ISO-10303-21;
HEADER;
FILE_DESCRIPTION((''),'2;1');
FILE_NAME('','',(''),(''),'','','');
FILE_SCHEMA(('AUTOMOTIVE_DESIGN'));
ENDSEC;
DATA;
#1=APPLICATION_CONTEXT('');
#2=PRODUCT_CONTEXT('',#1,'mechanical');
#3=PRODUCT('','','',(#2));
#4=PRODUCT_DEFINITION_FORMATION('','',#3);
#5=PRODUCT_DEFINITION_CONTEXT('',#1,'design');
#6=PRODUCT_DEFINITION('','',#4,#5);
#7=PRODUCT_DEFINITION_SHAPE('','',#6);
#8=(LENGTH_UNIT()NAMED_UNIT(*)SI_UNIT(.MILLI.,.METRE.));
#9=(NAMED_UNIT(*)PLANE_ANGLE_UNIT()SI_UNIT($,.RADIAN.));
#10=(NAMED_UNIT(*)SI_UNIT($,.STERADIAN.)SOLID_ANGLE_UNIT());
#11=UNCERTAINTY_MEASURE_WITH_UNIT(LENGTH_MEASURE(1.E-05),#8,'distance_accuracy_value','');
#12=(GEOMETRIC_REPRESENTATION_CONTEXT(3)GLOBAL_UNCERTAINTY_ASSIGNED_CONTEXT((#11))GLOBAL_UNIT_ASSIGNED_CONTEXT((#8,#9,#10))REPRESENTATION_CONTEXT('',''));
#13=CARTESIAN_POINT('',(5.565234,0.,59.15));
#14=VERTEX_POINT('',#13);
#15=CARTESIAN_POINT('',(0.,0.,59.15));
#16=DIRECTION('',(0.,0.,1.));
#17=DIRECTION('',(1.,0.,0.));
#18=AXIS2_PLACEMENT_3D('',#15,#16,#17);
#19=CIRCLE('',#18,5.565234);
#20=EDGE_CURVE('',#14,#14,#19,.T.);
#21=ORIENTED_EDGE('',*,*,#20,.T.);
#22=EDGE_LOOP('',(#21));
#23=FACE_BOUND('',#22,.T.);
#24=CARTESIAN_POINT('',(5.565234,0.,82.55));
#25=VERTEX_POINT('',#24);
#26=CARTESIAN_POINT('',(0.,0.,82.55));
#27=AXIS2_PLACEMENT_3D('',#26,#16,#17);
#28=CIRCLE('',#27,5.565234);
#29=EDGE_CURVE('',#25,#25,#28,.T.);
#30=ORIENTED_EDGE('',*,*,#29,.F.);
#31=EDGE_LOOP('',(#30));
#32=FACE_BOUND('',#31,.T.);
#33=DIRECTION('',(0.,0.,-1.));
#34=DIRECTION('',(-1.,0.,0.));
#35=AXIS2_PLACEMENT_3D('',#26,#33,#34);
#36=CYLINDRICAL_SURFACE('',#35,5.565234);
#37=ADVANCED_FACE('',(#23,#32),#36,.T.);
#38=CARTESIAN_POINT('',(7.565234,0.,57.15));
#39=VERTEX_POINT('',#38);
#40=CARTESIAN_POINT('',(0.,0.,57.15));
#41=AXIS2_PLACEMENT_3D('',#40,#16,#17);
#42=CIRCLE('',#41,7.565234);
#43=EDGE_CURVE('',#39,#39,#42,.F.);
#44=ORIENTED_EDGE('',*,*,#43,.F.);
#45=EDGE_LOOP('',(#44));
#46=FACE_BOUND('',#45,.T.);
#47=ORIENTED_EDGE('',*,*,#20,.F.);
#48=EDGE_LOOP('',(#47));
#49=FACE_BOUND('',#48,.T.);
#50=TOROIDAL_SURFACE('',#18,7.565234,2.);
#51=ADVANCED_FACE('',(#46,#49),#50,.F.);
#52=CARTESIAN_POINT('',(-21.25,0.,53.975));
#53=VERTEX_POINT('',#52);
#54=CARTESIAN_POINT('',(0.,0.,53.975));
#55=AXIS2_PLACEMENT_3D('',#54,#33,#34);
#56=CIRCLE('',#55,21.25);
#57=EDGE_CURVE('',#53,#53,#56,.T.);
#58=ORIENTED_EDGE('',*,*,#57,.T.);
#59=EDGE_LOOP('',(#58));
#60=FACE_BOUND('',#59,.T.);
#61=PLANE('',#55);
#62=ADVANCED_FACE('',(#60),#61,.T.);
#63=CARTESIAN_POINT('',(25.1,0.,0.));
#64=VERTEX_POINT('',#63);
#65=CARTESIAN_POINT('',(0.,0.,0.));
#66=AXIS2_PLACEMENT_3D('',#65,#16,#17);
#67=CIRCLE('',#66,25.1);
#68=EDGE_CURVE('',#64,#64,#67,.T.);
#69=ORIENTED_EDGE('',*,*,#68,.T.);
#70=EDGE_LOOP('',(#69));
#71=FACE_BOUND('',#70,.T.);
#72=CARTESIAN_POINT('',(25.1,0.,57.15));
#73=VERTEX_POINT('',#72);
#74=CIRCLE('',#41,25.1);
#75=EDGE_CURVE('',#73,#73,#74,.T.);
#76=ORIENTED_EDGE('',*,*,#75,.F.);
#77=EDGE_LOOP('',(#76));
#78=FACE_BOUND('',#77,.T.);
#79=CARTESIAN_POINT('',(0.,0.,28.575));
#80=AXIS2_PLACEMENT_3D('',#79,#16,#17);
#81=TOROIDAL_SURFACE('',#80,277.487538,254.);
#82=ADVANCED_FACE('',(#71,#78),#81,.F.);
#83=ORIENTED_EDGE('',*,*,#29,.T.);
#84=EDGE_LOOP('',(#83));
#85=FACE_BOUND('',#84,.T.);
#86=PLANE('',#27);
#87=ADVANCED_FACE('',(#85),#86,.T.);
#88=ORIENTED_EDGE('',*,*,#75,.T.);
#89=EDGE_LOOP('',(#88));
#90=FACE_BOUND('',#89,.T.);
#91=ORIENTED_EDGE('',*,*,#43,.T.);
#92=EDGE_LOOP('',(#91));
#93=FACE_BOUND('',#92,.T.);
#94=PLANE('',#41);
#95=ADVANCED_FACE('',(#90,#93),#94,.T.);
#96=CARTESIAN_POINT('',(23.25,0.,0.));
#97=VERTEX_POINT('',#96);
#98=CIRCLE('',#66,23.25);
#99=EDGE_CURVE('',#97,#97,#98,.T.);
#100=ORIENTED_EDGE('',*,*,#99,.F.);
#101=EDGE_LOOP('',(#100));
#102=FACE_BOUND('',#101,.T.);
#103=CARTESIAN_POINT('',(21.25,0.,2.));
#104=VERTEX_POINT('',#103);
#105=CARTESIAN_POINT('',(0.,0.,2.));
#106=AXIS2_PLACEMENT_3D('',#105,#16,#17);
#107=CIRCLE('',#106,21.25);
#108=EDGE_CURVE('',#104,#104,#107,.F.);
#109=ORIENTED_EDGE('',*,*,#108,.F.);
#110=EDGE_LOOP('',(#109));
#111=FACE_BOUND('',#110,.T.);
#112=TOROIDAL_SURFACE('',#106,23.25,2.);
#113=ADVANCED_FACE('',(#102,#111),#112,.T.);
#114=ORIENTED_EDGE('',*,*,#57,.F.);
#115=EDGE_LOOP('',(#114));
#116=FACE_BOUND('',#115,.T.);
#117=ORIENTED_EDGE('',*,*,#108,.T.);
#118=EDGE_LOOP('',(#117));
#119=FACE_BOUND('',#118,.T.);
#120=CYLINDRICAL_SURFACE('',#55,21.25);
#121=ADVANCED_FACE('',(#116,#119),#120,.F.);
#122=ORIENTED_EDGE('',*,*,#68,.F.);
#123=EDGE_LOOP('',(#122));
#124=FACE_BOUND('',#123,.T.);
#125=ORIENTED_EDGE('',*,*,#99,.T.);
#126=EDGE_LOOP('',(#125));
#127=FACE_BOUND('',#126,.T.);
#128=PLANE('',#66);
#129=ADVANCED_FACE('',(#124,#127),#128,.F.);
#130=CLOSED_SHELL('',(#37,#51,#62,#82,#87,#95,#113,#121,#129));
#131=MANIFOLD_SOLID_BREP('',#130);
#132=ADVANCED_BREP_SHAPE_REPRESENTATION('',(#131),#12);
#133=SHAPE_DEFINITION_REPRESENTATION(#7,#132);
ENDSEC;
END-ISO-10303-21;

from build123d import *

# Parameters (mm, degrees)
ESQUISSE1_R             = 25.099999965
BOSS_EXTRU_1_DEPTH      = 57.15
ESQUISSE2_R             = 21.25
ENL_V_MAT_EXTRU_1_DEPTH = 53.975
ESQUISSE3_R             = 5.565233599
BOSS_EXTRU_2_DEPTH      = 25.4
CONG_1_R                = 2
CONG_2_R                = 2


with BuildPart() as part:
    # Esquisse1 → Boss.-Extru.1 (new body)
    with BuildSketch(Plane.XY):
        Circle(ESQUISSE1_R)
    extrude(amount=BOSS_EXTRU_1_DEPTH)

    # Esquisse2 → Enlèv. mat.-Extru.1 (cut)
    with BuildSketch(Plane(origin=(0, 0, 0), x_dir=(-1, 0, 0), z_dir=(0, 0, -1))):
        Circle(ESQUISSE2_R)
    extrude(amount=-ENL_V_MAT_EXTRU_1_DEPTH, mode=Mode.SUBTRACT)

    # Esquisse3 → Boss.-Extru.2 (add)
    with BuildSketch(Plane.XY.offset(57.15)):
        Circle(ESQUISSE3_R)
    extrude(amount=BOSS_EXTRU_2_DEPTH)

    # Congé1
    cong_1_edges = [part.edges().sort_by_distance(p)[0] for p in [
        (21.25, 0, 0),
    ]]
    fillet(cong_1_edges, radius=CONG_1_R)

    # Congé2
    cong_2_edges = [part.edges().sort_by_distance(p)[0] for p in [
        (-5.565233599, 0, 57.15),
    ]]
    fillet(cong_2_edges, radius=CONG_2_R)

    # Esquisse4 → Enlèvement de matière-Révolution1 (revolve, cut)
    with BuildSketch(Plane(origin=(0, 0, 0), x_dir=(0, 0, -1), z_dir=(1, 0, 0)), mode=Mode.PRIVATE) as enl_vement_de_mati_re_r_volution1_sk:
        with BuildLine():
            Line((-57.15, 25.099999965), (0, 25.099999965))
            ThreePointArc((0, 25.099999965), (-28.575, 23.487538039), (-57.15, 25.099999965))
        make_face()
    revolve(enl_vement_de_mati_re_r_volution1_sk.sketch.rotate(Axis((0, 0, 82.55), (0, 0, -1)), 90), axis=Axis((0, 0, 82.55), (0, 0, -1)), mode=Mode.SUBTRACT)


solid = part.part
